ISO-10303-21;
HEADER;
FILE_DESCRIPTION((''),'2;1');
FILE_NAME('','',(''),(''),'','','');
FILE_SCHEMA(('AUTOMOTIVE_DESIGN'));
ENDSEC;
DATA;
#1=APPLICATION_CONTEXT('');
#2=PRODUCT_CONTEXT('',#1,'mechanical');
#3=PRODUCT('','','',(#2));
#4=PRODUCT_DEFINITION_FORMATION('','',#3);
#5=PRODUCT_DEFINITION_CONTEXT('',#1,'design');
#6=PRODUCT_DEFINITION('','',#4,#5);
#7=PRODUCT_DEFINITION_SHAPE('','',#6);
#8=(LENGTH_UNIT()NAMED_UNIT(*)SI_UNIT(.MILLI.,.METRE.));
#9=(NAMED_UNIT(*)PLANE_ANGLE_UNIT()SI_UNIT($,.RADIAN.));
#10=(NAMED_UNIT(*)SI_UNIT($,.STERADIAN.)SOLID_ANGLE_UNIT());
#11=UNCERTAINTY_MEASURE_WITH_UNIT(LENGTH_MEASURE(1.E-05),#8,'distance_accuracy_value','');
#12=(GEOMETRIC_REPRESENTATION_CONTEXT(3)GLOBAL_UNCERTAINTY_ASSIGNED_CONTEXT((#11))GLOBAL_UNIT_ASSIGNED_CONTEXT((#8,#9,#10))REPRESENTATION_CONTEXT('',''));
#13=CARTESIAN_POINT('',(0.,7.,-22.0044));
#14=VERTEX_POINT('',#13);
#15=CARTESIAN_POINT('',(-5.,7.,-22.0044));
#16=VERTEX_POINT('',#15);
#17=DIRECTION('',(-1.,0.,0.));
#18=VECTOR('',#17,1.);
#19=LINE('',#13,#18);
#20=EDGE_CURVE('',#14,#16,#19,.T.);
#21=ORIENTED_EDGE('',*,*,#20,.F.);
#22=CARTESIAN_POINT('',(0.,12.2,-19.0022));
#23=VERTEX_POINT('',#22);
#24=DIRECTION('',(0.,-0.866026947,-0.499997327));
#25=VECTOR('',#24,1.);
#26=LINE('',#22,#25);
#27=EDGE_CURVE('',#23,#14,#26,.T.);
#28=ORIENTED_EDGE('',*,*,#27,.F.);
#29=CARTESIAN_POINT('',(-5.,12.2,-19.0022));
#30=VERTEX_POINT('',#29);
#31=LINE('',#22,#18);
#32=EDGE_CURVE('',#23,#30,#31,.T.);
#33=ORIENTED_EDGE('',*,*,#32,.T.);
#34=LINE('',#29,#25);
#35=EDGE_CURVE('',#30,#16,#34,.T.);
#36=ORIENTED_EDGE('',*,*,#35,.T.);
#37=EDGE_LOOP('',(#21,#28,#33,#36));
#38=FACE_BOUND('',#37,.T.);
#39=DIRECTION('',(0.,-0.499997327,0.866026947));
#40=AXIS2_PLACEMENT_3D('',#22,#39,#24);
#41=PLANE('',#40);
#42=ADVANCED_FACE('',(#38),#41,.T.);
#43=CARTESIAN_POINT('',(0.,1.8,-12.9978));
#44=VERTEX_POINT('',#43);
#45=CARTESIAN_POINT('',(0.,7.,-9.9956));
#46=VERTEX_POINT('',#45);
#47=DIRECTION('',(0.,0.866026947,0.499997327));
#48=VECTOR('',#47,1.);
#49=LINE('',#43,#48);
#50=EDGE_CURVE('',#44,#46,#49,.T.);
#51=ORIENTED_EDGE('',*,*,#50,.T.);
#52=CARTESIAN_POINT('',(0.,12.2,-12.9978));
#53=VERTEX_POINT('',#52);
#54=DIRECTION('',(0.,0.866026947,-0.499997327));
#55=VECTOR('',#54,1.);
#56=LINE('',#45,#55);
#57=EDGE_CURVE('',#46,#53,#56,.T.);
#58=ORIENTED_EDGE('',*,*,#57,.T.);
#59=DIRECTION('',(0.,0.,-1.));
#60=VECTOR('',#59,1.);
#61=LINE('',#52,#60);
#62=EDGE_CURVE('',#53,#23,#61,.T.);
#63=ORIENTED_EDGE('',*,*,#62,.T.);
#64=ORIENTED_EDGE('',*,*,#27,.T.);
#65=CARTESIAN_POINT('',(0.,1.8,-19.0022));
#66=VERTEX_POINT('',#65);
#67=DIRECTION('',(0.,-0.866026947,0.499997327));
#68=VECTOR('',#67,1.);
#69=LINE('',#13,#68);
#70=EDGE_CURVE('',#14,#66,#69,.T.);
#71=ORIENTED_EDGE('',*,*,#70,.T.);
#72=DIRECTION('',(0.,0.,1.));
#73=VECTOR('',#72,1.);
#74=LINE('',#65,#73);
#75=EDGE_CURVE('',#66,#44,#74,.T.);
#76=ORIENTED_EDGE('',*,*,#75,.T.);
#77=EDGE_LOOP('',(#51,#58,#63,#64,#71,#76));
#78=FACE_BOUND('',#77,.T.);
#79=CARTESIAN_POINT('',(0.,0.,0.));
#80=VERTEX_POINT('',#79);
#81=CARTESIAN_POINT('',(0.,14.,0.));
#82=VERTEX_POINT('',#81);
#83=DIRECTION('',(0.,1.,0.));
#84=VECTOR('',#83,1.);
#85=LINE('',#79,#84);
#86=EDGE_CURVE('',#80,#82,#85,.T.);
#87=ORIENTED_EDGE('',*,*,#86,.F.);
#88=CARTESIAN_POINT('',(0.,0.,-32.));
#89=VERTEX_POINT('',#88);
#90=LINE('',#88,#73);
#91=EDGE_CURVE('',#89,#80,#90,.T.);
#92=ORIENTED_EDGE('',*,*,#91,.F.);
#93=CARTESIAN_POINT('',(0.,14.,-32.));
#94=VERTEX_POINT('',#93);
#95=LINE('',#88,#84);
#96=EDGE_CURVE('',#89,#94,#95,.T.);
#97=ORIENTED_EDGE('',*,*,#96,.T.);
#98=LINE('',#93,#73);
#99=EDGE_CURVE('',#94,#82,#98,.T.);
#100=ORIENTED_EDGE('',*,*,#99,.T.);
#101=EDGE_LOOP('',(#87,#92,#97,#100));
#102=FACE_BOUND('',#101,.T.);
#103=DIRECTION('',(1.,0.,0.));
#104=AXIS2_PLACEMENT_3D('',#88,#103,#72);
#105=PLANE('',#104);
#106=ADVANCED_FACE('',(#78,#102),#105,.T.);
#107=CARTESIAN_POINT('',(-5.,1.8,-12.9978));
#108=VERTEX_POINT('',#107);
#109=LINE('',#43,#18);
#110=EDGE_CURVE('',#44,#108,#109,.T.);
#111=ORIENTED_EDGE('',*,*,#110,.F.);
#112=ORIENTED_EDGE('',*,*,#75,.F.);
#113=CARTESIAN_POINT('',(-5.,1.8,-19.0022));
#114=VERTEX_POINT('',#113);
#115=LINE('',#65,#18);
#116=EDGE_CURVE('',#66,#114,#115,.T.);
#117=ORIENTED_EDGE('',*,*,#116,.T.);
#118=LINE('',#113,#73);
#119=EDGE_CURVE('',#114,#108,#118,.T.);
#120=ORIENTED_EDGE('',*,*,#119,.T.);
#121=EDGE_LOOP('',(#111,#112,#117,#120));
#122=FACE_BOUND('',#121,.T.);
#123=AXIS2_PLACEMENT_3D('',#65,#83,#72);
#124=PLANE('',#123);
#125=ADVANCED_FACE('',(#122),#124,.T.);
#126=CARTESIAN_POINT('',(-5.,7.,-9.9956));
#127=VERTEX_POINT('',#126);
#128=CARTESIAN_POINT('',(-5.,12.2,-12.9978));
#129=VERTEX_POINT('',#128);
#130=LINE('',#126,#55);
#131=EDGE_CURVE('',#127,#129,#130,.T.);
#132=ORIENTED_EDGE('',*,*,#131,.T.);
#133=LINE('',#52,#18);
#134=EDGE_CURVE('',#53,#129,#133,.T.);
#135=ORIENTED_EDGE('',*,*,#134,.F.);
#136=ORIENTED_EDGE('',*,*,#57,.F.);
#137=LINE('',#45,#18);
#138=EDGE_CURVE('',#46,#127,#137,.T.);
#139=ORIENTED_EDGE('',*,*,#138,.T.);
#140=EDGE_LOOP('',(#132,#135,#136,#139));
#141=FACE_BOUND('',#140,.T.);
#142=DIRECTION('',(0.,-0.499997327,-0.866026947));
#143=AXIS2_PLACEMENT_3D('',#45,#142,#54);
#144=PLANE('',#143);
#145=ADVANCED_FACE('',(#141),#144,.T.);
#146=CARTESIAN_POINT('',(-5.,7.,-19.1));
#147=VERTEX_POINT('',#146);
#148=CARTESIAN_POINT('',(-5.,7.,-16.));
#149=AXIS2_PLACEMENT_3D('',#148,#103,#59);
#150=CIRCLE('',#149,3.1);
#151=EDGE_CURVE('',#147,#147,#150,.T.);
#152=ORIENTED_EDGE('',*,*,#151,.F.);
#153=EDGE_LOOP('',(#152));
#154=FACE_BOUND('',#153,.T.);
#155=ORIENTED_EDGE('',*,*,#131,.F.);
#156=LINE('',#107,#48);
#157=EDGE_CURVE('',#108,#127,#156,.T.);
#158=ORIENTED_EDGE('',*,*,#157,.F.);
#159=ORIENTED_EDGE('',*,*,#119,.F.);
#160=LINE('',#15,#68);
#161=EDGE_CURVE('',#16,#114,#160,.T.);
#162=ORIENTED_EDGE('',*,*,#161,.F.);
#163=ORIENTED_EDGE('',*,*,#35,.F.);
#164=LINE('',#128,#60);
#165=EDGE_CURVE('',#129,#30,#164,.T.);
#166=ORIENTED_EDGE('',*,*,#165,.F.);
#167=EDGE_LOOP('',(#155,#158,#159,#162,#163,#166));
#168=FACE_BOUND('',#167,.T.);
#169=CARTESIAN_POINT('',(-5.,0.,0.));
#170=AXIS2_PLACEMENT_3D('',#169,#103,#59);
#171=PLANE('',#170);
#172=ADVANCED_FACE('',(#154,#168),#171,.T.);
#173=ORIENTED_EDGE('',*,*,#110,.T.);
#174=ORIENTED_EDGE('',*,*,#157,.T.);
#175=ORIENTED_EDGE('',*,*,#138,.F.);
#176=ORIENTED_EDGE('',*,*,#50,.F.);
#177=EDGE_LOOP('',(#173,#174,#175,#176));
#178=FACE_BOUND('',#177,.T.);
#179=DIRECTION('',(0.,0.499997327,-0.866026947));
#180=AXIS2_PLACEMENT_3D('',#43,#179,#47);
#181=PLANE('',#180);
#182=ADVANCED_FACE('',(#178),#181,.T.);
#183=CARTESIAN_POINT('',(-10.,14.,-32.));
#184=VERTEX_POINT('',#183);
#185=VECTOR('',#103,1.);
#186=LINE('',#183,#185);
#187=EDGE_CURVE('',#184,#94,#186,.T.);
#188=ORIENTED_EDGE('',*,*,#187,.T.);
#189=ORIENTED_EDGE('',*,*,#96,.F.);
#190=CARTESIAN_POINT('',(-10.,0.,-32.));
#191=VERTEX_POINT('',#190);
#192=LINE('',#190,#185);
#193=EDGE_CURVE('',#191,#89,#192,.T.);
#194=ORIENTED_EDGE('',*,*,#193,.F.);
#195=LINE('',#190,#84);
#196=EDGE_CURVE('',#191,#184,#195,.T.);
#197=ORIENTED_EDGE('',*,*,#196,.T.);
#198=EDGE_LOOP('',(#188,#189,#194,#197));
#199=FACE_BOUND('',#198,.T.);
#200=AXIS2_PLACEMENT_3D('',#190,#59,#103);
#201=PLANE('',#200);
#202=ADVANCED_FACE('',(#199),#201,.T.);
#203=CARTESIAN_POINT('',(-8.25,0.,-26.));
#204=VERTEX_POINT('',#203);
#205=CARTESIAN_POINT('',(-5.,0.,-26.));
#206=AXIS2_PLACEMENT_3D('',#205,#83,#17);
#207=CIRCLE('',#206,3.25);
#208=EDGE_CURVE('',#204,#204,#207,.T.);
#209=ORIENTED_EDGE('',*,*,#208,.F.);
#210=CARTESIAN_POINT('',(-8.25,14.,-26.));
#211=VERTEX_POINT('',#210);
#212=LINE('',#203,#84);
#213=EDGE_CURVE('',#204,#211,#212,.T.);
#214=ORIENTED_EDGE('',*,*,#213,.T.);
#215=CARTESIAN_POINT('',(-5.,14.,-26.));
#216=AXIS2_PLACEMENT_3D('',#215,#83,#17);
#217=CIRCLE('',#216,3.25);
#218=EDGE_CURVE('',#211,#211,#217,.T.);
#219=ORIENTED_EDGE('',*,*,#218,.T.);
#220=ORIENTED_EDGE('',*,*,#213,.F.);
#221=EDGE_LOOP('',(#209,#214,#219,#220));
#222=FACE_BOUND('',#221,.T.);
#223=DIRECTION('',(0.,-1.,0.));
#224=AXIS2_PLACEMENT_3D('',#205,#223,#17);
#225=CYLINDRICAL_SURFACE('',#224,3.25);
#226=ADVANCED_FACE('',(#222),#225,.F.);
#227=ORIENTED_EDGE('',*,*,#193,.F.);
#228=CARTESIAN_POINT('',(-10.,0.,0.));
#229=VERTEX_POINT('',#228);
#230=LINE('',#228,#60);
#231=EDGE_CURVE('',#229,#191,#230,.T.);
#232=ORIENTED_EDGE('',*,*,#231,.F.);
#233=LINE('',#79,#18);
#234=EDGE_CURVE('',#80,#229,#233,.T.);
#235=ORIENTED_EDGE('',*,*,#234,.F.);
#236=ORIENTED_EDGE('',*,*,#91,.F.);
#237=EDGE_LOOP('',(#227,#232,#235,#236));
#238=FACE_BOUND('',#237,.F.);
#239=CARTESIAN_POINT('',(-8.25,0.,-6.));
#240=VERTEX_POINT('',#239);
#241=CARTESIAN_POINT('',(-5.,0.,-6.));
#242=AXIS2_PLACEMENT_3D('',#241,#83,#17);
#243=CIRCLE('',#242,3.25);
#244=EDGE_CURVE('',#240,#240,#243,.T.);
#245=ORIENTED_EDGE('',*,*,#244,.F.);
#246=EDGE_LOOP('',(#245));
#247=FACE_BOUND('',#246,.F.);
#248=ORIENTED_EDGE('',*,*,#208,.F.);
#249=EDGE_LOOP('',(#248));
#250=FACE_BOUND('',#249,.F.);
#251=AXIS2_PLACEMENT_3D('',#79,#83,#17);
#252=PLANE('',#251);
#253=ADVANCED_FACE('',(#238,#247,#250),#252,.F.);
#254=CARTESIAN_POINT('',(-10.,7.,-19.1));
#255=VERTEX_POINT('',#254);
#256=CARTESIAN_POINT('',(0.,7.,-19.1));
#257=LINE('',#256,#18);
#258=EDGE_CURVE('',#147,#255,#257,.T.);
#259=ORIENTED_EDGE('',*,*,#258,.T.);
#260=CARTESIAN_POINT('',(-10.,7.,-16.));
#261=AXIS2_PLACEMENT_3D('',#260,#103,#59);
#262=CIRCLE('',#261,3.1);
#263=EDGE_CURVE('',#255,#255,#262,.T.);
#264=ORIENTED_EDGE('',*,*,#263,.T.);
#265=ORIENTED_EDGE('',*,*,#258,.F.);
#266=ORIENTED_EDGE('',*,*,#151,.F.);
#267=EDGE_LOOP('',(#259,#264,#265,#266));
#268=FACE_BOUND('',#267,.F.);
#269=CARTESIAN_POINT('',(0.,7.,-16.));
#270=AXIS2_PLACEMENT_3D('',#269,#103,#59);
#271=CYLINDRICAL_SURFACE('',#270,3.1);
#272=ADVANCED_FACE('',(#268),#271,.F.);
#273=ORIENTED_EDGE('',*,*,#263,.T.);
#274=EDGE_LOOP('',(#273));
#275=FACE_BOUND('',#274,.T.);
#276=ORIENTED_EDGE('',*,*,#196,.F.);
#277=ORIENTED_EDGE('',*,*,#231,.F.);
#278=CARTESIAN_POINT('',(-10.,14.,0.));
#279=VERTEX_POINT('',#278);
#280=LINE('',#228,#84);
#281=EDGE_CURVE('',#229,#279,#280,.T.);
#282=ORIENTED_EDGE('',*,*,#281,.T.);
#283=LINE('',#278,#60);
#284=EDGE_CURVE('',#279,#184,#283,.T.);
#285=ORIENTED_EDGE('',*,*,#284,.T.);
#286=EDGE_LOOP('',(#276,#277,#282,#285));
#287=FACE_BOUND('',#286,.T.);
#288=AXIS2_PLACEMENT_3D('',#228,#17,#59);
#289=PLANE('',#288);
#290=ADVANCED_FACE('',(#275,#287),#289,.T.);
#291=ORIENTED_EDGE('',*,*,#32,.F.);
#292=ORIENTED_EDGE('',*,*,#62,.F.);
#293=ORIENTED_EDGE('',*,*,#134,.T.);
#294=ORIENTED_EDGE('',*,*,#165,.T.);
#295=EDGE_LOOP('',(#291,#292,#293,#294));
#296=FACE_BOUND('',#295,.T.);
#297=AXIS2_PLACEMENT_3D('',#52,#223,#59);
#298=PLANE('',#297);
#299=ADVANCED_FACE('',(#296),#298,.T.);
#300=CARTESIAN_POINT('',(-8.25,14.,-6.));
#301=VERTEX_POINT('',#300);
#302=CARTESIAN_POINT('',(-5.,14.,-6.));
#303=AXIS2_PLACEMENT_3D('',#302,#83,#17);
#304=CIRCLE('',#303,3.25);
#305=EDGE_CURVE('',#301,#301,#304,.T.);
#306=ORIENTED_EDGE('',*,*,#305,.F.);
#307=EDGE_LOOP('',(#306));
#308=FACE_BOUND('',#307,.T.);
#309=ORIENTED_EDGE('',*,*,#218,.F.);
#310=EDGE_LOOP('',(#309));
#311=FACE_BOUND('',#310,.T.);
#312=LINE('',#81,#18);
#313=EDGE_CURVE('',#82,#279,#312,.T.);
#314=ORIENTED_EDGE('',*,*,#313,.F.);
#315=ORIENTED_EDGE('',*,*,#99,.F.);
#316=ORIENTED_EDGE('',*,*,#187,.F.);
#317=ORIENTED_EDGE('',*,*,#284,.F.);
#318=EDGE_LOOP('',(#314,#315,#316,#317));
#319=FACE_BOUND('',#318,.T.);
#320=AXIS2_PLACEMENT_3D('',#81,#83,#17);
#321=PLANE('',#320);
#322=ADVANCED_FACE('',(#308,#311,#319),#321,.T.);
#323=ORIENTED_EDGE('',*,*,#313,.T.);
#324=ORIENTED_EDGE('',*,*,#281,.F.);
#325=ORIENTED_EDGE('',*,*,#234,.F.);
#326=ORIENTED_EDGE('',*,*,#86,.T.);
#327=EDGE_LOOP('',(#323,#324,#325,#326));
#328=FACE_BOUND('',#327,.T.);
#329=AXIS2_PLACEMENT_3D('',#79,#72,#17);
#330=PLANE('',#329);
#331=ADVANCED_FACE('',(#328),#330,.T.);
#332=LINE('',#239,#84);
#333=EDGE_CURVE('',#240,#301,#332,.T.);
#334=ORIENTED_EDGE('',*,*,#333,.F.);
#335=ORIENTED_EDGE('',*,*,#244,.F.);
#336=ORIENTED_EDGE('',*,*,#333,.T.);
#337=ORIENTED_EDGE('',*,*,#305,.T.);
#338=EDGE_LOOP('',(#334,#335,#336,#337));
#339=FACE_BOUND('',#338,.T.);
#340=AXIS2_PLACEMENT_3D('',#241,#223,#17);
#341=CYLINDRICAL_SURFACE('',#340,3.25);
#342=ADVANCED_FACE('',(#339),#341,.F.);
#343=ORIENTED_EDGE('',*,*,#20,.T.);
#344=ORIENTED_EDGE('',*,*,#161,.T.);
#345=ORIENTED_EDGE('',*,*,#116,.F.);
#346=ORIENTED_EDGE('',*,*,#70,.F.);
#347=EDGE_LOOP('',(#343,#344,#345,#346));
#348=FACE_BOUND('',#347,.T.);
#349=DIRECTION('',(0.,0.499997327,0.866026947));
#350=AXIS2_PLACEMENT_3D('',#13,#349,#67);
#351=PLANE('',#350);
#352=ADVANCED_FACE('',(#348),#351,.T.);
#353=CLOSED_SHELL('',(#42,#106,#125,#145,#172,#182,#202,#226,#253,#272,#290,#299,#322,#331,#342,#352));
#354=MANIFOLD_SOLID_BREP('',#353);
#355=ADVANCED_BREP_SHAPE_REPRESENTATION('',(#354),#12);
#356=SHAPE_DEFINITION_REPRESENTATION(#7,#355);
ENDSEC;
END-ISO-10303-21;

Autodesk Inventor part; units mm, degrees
ref_plane "YZ Plane" through (0, 0, 0) normal (1, 0, 0) x (0, 1, 0)
ref_plane "XZ Plane" through (0, 0, 0) normal (0, 1, 0) x (-1, 0, 0)
ref_plane "XY Plane" through (0, 0, 0) normal (0, 0, 1) x (1, 0, 0)
sketch "Sketch1" plane through (0, 0, 0) normal (0, 1, 0) x (-1, 0, 0)
  line L0 (0, 0) -> (10, 0)
  line L1 (10, 0) -> (10, -32)
  line L2 (10, -32) -> (0, -32)
  line L3 (0, -32) -> (0, 0)
  circle A0 centre (5, -6) radius 3.25
  circle A1 centre (5, -26) radius 3.25
  dimension "t" = 10
  dimension "d2" = 6.5
  dimension "d3" = 6.5
  dimension "d4" = 6
  dimension "d5" = 6
  dimension "d6" = 5
  dimension "d7" = 5
  dimension "height" = 32
extrude "Extrusion1" add sketch "Sketch1" along normal blind 14
sketch "Sketch2" plane through (0, 0, 0) normal (1, 0, 0) x (0, 0, -1)
  circle A0 centre (16, 7) radius 3.1
  line L0 (0, 0) -> (0, 14) projected
  line L1 (32, 0) -> (0, 0) projected
  dimension "d10" = 6.2
  dimension "d12" = 16
  dimension "d13" = 7
extrude "Extrusion2" cut sketch "Sketch2" against normal up to next
sketch "Sketch3" plane through (0, 0, 0) normal (1, 0, 0) x (0, 0, -1)
  circle A0 centre (16, 7) radius 3.1 projected
  line L0 (22.0044, 7) -> (19.0022, 1.8)
  line L1 (19.0022, 1.8) -> (12.9978, 1.8)
  line L2 (12.9978, 1.8) -> (9.9956, 7)
  line L3 (9.9956, 7) -> (12.9978, 12.2)
  line L4 (12.9978, 12.2) -> (19.0022, 12.2)
  line L5 (19.0022, 12.2) -> (22.0044, 7)
  line L6 (0, 14) -> (32, 14) projected
  point P0 (0, 0)
  point P1 (16, 12.2)
  dimension "d16" = 10.4
extrude "Extrusion3" cut sketch "Sketch3" against normal blind 5
equation "\"d6\" = 0.5 * t"
equation "\"d7\" = 0.5 * t"
equation "\"d12\" = 0.5 * height"
properties part number "smallSprocketFixture" material "ABS Plastic"
